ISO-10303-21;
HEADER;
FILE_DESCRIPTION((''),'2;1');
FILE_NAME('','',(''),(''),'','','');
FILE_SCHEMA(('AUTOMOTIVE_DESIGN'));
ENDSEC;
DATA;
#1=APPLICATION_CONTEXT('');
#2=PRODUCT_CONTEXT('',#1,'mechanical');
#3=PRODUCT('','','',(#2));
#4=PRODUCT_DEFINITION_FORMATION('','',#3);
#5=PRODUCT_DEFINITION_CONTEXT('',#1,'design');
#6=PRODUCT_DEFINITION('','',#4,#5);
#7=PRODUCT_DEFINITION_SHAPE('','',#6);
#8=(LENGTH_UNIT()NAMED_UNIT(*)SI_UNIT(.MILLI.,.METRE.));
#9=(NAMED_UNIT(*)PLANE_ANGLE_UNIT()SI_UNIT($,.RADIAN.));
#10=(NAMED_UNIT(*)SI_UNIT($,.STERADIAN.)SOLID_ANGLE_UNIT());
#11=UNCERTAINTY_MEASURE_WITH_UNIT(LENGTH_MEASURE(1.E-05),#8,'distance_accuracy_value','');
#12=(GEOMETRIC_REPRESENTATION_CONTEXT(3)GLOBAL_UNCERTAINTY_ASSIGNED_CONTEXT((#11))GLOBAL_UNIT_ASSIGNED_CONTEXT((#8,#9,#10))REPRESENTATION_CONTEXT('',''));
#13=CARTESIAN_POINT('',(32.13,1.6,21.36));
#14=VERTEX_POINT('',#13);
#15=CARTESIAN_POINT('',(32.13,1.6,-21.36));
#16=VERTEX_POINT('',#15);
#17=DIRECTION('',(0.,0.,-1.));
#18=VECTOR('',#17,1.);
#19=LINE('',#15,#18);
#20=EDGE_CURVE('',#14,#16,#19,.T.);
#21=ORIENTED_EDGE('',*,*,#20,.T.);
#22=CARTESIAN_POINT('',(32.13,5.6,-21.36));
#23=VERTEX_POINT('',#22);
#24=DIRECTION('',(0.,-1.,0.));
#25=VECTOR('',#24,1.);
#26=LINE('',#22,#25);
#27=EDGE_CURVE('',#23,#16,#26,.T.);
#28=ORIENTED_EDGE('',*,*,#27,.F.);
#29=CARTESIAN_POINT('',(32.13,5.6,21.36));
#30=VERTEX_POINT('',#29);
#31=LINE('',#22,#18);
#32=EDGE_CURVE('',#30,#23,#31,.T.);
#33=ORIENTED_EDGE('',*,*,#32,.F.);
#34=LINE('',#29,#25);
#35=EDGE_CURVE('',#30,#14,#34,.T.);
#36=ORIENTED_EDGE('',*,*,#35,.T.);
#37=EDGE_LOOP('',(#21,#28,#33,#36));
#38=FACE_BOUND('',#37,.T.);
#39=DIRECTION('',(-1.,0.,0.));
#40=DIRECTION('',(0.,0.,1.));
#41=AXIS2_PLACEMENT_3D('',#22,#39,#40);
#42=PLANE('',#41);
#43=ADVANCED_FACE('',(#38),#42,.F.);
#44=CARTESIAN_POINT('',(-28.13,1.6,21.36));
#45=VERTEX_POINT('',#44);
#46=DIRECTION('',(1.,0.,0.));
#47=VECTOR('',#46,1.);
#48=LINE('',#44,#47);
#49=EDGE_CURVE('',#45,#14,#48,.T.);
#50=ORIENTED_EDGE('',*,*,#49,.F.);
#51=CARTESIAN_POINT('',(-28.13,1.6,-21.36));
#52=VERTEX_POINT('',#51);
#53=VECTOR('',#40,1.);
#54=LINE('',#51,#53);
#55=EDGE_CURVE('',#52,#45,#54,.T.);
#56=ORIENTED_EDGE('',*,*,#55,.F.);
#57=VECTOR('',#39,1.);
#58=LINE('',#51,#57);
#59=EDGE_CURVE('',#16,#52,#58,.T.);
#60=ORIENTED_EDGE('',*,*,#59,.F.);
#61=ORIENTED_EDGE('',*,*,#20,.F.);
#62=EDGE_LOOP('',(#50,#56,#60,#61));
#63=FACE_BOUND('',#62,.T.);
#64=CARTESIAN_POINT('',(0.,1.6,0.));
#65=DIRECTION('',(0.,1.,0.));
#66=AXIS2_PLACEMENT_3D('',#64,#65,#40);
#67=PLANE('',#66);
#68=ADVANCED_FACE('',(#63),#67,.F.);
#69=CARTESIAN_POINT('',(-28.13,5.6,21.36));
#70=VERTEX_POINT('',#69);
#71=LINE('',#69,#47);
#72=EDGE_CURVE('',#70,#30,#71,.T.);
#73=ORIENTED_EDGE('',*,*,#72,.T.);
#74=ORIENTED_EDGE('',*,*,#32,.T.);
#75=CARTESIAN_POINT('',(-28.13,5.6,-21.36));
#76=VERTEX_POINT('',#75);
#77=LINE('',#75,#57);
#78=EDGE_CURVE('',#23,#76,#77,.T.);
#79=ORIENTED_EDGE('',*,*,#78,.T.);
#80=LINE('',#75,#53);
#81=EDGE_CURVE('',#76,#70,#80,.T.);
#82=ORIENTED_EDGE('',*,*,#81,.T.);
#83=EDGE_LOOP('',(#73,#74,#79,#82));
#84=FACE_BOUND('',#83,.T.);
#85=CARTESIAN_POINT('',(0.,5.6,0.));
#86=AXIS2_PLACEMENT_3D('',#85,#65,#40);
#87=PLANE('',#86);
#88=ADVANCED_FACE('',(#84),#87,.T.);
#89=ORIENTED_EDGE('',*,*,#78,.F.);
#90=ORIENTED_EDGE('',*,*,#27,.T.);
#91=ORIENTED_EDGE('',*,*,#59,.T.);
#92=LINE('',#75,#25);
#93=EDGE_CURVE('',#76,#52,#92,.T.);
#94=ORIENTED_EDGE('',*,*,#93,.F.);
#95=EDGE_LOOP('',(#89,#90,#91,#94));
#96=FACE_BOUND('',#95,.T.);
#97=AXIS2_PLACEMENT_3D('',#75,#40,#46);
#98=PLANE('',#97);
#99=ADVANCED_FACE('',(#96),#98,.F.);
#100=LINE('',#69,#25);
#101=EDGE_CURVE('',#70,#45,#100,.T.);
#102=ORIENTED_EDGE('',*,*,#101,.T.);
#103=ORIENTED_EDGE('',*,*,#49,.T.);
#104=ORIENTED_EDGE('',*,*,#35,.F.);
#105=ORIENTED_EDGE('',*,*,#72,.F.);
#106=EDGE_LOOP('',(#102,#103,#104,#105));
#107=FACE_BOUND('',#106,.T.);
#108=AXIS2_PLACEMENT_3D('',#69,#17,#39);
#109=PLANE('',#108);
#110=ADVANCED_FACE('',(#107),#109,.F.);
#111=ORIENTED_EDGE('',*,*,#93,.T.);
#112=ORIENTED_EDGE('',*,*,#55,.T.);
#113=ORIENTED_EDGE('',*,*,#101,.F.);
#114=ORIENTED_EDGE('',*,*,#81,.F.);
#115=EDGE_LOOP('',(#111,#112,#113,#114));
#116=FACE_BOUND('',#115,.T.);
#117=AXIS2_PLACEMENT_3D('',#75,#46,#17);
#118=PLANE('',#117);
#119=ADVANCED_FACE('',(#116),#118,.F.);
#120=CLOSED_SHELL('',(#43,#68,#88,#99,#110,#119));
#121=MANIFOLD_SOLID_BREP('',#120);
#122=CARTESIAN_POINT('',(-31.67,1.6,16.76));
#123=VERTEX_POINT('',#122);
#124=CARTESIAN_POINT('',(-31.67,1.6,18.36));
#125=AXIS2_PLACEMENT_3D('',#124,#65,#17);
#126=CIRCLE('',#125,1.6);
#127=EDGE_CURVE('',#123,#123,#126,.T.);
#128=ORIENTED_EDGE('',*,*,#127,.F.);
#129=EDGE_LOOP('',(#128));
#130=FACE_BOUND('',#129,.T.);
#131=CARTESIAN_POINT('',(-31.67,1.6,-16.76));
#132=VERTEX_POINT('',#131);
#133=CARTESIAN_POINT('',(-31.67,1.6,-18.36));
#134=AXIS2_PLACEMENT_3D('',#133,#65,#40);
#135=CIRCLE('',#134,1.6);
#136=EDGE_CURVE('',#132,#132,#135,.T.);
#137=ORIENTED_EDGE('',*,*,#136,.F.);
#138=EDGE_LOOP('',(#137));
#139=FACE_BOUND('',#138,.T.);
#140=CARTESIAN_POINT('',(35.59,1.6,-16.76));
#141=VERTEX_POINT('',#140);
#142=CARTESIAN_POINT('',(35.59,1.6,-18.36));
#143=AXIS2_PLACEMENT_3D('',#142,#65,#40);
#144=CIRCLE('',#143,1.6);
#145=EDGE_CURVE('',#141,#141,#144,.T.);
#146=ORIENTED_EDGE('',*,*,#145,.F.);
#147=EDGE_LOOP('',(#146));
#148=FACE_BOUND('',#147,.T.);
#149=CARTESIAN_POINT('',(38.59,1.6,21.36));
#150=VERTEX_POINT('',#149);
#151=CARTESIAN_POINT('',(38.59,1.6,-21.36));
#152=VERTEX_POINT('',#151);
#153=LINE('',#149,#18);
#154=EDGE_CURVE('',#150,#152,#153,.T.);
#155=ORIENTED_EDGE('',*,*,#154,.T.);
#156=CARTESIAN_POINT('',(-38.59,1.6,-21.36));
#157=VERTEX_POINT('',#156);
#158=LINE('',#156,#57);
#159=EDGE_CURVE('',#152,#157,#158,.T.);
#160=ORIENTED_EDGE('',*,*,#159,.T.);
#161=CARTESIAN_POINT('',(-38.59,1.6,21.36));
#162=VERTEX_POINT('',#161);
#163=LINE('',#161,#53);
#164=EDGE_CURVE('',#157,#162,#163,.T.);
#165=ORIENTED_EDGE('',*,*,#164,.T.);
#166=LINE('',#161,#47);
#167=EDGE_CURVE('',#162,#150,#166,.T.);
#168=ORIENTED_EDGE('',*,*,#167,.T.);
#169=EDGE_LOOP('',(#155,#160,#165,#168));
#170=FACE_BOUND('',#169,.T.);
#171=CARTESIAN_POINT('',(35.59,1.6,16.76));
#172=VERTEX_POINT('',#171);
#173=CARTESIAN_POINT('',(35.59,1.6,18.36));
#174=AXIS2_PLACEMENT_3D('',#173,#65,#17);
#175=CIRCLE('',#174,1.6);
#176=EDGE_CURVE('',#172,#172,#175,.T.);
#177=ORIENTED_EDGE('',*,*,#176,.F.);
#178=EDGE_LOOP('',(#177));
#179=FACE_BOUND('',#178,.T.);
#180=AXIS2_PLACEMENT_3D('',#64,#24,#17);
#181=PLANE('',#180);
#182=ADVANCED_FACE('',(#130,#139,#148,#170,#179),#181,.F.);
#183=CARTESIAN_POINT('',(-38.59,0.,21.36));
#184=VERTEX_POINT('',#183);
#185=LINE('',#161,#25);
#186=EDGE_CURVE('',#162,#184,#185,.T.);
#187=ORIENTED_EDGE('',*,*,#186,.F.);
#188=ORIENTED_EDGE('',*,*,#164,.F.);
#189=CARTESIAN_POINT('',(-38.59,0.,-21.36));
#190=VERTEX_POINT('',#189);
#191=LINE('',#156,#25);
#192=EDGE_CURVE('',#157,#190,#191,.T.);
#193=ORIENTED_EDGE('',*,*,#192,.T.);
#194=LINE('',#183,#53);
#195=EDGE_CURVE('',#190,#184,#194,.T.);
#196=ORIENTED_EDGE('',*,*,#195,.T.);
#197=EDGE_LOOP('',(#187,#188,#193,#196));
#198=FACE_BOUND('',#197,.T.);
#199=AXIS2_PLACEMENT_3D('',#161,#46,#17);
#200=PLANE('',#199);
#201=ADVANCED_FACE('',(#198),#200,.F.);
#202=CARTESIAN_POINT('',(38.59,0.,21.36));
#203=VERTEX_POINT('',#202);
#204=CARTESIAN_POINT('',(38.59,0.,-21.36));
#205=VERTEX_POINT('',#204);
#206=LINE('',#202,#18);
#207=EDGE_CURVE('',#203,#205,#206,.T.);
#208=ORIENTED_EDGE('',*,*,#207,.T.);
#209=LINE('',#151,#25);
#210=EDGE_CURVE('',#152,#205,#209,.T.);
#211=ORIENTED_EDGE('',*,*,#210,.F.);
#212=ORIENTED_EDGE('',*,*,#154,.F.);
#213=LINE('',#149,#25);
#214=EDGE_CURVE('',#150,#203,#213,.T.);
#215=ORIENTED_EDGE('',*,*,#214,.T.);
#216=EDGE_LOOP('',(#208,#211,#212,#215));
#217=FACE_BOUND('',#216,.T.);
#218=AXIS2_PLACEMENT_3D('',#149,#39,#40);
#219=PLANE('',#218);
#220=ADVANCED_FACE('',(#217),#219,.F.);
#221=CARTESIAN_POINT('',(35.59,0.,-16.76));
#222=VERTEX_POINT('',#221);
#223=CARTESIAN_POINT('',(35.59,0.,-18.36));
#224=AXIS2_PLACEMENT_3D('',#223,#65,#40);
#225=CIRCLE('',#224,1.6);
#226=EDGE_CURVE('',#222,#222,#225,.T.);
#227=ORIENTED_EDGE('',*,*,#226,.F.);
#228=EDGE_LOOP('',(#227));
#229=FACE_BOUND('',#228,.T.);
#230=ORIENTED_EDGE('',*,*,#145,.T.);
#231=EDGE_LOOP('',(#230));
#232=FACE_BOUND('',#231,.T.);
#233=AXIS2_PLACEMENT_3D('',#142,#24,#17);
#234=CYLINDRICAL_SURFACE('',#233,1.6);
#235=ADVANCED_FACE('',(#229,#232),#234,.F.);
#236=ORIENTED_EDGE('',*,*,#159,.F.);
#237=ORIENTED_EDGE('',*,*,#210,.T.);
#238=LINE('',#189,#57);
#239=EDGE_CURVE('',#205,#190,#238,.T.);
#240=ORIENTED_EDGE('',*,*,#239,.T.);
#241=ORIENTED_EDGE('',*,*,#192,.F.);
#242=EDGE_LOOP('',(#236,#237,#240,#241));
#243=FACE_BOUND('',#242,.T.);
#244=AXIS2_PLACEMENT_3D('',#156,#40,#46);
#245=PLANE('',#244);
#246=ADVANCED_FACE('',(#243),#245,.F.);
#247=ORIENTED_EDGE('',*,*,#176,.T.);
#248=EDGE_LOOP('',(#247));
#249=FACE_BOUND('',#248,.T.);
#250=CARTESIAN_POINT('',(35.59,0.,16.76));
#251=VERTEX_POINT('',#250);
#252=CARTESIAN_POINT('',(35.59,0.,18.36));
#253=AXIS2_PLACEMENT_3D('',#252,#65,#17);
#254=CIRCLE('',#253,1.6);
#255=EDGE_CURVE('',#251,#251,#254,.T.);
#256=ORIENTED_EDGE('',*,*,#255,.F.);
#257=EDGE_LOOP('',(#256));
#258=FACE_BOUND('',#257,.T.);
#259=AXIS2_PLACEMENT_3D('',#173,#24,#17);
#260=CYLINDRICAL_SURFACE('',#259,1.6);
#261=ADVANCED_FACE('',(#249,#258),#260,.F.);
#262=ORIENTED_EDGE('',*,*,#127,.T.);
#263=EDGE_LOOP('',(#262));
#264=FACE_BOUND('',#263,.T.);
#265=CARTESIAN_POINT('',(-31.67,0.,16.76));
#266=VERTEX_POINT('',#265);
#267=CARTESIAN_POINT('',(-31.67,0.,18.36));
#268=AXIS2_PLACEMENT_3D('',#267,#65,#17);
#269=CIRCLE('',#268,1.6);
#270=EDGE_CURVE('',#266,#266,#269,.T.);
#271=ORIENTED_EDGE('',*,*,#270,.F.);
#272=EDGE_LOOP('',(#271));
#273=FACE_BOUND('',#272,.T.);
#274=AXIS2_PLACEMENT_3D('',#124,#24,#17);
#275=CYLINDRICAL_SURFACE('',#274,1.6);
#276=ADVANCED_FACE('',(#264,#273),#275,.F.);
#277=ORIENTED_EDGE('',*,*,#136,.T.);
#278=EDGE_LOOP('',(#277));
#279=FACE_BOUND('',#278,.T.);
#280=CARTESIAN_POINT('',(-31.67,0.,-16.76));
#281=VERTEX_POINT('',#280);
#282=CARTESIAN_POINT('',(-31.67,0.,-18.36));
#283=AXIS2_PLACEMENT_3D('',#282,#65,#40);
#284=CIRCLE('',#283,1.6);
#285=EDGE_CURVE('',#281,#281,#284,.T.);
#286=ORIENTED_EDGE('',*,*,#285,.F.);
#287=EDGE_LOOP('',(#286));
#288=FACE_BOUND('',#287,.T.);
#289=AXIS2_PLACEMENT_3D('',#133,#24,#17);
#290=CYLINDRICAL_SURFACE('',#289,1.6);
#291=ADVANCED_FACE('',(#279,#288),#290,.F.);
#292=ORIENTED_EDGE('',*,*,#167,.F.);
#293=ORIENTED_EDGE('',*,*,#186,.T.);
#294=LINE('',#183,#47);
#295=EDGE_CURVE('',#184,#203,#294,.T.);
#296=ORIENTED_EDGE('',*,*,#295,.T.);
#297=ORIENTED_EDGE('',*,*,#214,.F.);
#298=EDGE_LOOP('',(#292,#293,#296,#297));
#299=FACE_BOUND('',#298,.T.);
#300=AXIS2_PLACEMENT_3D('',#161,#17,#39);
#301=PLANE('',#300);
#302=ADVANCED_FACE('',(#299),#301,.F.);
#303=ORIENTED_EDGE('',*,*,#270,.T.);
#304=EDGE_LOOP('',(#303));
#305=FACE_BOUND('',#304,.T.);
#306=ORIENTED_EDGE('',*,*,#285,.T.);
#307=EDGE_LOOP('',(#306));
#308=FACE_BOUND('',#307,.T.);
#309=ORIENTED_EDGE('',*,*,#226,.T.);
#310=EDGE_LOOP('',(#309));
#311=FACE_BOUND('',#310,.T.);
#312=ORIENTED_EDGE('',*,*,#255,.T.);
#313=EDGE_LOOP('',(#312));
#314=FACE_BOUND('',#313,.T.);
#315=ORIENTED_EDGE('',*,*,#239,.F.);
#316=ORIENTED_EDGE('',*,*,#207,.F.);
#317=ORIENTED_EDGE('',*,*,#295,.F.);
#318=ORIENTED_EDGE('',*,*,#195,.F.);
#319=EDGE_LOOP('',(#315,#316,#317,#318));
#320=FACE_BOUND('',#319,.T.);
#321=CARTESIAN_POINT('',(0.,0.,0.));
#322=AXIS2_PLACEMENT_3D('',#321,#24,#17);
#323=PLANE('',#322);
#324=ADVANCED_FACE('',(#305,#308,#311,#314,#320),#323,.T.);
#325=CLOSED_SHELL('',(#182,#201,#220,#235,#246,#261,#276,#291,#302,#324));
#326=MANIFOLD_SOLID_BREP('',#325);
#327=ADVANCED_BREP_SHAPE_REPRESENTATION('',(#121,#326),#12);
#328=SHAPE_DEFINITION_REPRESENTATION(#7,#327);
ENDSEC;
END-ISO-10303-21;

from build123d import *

# Parameters (mm, degrees)
SZKIC1_W                    = 77.18
SZKIC1_H                    = 42.72
SZKIC1_R                    = 1.6
DODANIE_WYCI_GNI_CIE1_DEPTH = 1.6
SZKIC2_W                    = 60.26
SZKIC2_H                    = 42.72
DODANIE_WYCI_GNI_CIE2_DEPTH = 4


with BuildPart() as part:
    # Szkic1 → Dodanie-wyciągnięcie1 (new body)
    with BuildSketch(Plane(origin=(0, 0, 0), x_dir=(1, 0, 0), z_dir=(0, 1, 0))):
        Rectangle(SZKIC1_W, SZKIC1_H)
        with Locations(Location((-31.67, 18.36, 0), (0, 0, 270))):
            Circle(SZKIC1_R, mode=Mode.SUBTRACT)
        with Locations(Location((35.59, 18.36, 0), (0, 0, 270))):
            Circle(SZKIC1_R, mode=Mode.SUBTRACT)
        with Locations(Location((35.59, -18.36, 0), (0, 0, 90))):
            Circle(SZKIC1_R, mode=Mode.SUBTRACT)
        with Locations(Location((-31.67, -18.36, 0), (0, 0, 90))):
            Circle(SZKIC1_R, mode=Mode.SUBTRACT)
    extrude(amount=DODANIE_WYCI_GNI_CIE1_DEPTH)


with BuildPart() as body_2:
    # Szkic2 → Dodanie-wyciągnięcie2 (new body)
    with BuildSketch(Plane(origin=(0, 1.6, 0), x_dir=(1, 0, 0), z_dir=(0, 1, 0))):
        with Locations((2, 0)):
            Rectangle(SZKIC2_W, SZKIC2_H)
    extrude(amount=DODANIE_WYCI_GNI_CIE2_DEPTH)


solid = Compound([part.part, body_2.part])
